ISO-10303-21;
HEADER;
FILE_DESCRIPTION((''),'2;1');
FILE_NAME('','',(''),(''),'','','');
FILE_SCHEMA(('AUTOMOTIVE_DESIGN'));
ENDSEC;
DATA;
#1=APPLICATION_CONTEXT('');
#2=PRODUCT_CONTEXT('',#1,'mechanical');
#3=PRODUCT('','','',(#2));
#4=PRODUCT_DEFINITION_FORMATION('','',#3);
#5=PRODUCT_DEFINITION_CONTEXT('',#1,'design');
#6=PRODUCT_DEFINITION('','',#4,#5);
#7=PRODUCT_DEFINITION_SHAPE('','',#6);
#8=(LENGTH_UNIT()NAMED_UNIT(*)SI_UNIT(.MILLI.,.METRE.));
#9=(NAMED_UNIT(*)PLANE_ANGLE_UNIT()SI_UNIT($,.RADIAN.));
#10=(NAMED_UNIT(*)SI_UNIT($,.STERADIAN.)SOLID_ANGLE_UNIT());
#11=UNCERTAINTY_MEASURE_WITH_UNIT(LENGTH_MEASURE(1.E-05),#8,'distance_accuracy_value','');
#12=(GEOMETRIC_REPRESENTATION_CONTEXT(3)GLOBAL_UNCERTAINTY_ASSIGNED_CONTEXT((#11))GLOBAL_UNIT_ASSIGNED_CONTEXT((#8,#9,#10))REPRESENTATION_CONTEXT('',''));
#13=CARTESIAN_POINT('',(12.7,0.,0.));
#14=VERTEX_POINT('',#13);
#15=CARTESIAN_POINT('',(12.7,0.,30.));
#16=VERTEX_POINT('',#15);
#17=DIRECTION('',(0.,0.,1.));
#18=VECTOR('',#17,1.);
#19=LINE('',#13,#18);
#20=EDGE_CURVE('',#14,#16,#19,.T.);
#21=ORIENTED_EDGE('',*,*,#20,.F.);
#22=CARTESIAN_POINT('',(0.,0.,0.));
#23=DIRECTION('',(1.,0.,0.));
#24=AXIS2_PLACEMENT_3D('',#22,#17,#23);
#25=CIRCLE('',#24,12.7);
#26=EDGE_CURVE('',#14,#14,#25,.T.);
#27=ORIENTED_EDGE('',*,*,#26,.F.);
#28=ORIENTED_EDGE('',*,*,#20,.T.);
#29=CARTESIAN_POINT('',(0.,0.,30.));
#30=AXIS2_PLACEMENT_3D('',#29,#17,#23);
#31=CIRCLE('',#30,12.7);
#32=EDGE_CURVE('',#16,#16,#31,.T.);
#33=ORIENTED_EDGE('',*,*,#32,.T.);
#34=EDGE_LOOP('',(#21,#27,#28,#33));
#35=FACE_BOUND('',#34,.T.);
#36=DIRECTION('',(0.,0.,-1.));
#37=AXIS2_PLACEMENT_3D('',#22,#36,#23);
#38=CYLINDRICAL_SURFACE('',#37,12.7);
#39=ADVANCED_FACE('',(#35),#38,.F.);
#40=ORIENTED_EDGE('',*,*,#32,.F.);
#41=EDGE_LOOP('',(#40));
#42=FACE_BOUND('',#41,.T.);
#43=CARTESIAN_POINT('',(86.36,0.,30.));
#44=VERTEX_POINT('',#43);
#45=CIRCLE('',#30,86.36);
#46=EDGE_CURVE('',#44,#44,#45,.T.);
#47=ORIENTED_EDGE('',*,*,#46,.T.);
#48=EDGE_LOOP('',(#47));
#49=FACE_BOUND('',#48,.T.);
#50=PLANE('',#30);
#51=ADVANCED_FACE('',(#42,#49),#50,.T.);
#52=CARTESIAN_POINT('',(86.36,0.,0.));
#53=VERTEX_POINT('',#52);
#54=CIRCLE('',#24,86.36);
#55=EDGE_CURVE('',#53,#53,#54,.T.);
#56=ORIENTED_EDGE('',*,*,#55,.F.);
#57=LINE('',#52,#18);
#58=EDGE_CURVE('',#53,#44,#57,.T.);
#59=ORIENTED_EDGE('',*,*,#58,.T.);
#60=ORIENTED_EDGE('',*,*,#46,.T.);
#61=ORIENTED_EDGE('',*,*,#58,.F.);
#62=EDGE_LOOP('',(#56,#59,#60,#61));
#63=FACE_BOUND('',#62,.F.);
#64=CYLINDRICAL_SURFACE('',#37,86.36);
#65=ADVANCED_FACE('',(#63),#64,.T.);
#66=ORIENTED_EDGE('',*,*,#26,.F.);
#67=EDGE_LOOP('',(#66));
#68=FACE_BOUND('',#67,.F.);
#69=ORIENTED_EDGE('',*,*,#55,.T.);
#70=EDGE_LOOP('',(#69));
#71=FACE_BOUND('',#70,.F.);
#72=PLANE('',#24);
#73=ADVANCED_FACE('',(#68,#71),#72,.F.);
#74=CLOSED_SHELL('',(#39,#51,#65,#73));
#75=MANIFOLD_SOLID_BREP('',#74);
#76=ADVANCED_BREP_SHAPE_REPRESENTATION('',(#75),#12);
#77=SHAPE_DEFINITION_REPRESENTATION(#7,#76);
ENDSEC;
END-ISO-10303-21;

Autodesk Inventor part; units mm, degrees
ref_plane "YZ Plane" through (0, 0, 0) normal (1, 0, 0) x (0, 1, 0)
ref_plane "XZ Plane" through (0, 0, 0) normal (0, 1, 0) x (-1, 0, 0)
ref_plane "XY Plane" through (0, 0, 0) normal (0, 0, 1) x (1, 0, 0)
sketch "Sketch1" plane through (0, 0, 0) normal (0, 0, 1) x (1, 0, 0)
  circle A0 centre (0, 0) radius 12.7
  circle A1 centre (0, 0) radius 86.36
  dimension "d0" = 25.4
  dimension "d1" = 172.72
extrude "Extrusion1" add sketch "Sketch1" along normal blind 30
properties part number "BigPulley"
